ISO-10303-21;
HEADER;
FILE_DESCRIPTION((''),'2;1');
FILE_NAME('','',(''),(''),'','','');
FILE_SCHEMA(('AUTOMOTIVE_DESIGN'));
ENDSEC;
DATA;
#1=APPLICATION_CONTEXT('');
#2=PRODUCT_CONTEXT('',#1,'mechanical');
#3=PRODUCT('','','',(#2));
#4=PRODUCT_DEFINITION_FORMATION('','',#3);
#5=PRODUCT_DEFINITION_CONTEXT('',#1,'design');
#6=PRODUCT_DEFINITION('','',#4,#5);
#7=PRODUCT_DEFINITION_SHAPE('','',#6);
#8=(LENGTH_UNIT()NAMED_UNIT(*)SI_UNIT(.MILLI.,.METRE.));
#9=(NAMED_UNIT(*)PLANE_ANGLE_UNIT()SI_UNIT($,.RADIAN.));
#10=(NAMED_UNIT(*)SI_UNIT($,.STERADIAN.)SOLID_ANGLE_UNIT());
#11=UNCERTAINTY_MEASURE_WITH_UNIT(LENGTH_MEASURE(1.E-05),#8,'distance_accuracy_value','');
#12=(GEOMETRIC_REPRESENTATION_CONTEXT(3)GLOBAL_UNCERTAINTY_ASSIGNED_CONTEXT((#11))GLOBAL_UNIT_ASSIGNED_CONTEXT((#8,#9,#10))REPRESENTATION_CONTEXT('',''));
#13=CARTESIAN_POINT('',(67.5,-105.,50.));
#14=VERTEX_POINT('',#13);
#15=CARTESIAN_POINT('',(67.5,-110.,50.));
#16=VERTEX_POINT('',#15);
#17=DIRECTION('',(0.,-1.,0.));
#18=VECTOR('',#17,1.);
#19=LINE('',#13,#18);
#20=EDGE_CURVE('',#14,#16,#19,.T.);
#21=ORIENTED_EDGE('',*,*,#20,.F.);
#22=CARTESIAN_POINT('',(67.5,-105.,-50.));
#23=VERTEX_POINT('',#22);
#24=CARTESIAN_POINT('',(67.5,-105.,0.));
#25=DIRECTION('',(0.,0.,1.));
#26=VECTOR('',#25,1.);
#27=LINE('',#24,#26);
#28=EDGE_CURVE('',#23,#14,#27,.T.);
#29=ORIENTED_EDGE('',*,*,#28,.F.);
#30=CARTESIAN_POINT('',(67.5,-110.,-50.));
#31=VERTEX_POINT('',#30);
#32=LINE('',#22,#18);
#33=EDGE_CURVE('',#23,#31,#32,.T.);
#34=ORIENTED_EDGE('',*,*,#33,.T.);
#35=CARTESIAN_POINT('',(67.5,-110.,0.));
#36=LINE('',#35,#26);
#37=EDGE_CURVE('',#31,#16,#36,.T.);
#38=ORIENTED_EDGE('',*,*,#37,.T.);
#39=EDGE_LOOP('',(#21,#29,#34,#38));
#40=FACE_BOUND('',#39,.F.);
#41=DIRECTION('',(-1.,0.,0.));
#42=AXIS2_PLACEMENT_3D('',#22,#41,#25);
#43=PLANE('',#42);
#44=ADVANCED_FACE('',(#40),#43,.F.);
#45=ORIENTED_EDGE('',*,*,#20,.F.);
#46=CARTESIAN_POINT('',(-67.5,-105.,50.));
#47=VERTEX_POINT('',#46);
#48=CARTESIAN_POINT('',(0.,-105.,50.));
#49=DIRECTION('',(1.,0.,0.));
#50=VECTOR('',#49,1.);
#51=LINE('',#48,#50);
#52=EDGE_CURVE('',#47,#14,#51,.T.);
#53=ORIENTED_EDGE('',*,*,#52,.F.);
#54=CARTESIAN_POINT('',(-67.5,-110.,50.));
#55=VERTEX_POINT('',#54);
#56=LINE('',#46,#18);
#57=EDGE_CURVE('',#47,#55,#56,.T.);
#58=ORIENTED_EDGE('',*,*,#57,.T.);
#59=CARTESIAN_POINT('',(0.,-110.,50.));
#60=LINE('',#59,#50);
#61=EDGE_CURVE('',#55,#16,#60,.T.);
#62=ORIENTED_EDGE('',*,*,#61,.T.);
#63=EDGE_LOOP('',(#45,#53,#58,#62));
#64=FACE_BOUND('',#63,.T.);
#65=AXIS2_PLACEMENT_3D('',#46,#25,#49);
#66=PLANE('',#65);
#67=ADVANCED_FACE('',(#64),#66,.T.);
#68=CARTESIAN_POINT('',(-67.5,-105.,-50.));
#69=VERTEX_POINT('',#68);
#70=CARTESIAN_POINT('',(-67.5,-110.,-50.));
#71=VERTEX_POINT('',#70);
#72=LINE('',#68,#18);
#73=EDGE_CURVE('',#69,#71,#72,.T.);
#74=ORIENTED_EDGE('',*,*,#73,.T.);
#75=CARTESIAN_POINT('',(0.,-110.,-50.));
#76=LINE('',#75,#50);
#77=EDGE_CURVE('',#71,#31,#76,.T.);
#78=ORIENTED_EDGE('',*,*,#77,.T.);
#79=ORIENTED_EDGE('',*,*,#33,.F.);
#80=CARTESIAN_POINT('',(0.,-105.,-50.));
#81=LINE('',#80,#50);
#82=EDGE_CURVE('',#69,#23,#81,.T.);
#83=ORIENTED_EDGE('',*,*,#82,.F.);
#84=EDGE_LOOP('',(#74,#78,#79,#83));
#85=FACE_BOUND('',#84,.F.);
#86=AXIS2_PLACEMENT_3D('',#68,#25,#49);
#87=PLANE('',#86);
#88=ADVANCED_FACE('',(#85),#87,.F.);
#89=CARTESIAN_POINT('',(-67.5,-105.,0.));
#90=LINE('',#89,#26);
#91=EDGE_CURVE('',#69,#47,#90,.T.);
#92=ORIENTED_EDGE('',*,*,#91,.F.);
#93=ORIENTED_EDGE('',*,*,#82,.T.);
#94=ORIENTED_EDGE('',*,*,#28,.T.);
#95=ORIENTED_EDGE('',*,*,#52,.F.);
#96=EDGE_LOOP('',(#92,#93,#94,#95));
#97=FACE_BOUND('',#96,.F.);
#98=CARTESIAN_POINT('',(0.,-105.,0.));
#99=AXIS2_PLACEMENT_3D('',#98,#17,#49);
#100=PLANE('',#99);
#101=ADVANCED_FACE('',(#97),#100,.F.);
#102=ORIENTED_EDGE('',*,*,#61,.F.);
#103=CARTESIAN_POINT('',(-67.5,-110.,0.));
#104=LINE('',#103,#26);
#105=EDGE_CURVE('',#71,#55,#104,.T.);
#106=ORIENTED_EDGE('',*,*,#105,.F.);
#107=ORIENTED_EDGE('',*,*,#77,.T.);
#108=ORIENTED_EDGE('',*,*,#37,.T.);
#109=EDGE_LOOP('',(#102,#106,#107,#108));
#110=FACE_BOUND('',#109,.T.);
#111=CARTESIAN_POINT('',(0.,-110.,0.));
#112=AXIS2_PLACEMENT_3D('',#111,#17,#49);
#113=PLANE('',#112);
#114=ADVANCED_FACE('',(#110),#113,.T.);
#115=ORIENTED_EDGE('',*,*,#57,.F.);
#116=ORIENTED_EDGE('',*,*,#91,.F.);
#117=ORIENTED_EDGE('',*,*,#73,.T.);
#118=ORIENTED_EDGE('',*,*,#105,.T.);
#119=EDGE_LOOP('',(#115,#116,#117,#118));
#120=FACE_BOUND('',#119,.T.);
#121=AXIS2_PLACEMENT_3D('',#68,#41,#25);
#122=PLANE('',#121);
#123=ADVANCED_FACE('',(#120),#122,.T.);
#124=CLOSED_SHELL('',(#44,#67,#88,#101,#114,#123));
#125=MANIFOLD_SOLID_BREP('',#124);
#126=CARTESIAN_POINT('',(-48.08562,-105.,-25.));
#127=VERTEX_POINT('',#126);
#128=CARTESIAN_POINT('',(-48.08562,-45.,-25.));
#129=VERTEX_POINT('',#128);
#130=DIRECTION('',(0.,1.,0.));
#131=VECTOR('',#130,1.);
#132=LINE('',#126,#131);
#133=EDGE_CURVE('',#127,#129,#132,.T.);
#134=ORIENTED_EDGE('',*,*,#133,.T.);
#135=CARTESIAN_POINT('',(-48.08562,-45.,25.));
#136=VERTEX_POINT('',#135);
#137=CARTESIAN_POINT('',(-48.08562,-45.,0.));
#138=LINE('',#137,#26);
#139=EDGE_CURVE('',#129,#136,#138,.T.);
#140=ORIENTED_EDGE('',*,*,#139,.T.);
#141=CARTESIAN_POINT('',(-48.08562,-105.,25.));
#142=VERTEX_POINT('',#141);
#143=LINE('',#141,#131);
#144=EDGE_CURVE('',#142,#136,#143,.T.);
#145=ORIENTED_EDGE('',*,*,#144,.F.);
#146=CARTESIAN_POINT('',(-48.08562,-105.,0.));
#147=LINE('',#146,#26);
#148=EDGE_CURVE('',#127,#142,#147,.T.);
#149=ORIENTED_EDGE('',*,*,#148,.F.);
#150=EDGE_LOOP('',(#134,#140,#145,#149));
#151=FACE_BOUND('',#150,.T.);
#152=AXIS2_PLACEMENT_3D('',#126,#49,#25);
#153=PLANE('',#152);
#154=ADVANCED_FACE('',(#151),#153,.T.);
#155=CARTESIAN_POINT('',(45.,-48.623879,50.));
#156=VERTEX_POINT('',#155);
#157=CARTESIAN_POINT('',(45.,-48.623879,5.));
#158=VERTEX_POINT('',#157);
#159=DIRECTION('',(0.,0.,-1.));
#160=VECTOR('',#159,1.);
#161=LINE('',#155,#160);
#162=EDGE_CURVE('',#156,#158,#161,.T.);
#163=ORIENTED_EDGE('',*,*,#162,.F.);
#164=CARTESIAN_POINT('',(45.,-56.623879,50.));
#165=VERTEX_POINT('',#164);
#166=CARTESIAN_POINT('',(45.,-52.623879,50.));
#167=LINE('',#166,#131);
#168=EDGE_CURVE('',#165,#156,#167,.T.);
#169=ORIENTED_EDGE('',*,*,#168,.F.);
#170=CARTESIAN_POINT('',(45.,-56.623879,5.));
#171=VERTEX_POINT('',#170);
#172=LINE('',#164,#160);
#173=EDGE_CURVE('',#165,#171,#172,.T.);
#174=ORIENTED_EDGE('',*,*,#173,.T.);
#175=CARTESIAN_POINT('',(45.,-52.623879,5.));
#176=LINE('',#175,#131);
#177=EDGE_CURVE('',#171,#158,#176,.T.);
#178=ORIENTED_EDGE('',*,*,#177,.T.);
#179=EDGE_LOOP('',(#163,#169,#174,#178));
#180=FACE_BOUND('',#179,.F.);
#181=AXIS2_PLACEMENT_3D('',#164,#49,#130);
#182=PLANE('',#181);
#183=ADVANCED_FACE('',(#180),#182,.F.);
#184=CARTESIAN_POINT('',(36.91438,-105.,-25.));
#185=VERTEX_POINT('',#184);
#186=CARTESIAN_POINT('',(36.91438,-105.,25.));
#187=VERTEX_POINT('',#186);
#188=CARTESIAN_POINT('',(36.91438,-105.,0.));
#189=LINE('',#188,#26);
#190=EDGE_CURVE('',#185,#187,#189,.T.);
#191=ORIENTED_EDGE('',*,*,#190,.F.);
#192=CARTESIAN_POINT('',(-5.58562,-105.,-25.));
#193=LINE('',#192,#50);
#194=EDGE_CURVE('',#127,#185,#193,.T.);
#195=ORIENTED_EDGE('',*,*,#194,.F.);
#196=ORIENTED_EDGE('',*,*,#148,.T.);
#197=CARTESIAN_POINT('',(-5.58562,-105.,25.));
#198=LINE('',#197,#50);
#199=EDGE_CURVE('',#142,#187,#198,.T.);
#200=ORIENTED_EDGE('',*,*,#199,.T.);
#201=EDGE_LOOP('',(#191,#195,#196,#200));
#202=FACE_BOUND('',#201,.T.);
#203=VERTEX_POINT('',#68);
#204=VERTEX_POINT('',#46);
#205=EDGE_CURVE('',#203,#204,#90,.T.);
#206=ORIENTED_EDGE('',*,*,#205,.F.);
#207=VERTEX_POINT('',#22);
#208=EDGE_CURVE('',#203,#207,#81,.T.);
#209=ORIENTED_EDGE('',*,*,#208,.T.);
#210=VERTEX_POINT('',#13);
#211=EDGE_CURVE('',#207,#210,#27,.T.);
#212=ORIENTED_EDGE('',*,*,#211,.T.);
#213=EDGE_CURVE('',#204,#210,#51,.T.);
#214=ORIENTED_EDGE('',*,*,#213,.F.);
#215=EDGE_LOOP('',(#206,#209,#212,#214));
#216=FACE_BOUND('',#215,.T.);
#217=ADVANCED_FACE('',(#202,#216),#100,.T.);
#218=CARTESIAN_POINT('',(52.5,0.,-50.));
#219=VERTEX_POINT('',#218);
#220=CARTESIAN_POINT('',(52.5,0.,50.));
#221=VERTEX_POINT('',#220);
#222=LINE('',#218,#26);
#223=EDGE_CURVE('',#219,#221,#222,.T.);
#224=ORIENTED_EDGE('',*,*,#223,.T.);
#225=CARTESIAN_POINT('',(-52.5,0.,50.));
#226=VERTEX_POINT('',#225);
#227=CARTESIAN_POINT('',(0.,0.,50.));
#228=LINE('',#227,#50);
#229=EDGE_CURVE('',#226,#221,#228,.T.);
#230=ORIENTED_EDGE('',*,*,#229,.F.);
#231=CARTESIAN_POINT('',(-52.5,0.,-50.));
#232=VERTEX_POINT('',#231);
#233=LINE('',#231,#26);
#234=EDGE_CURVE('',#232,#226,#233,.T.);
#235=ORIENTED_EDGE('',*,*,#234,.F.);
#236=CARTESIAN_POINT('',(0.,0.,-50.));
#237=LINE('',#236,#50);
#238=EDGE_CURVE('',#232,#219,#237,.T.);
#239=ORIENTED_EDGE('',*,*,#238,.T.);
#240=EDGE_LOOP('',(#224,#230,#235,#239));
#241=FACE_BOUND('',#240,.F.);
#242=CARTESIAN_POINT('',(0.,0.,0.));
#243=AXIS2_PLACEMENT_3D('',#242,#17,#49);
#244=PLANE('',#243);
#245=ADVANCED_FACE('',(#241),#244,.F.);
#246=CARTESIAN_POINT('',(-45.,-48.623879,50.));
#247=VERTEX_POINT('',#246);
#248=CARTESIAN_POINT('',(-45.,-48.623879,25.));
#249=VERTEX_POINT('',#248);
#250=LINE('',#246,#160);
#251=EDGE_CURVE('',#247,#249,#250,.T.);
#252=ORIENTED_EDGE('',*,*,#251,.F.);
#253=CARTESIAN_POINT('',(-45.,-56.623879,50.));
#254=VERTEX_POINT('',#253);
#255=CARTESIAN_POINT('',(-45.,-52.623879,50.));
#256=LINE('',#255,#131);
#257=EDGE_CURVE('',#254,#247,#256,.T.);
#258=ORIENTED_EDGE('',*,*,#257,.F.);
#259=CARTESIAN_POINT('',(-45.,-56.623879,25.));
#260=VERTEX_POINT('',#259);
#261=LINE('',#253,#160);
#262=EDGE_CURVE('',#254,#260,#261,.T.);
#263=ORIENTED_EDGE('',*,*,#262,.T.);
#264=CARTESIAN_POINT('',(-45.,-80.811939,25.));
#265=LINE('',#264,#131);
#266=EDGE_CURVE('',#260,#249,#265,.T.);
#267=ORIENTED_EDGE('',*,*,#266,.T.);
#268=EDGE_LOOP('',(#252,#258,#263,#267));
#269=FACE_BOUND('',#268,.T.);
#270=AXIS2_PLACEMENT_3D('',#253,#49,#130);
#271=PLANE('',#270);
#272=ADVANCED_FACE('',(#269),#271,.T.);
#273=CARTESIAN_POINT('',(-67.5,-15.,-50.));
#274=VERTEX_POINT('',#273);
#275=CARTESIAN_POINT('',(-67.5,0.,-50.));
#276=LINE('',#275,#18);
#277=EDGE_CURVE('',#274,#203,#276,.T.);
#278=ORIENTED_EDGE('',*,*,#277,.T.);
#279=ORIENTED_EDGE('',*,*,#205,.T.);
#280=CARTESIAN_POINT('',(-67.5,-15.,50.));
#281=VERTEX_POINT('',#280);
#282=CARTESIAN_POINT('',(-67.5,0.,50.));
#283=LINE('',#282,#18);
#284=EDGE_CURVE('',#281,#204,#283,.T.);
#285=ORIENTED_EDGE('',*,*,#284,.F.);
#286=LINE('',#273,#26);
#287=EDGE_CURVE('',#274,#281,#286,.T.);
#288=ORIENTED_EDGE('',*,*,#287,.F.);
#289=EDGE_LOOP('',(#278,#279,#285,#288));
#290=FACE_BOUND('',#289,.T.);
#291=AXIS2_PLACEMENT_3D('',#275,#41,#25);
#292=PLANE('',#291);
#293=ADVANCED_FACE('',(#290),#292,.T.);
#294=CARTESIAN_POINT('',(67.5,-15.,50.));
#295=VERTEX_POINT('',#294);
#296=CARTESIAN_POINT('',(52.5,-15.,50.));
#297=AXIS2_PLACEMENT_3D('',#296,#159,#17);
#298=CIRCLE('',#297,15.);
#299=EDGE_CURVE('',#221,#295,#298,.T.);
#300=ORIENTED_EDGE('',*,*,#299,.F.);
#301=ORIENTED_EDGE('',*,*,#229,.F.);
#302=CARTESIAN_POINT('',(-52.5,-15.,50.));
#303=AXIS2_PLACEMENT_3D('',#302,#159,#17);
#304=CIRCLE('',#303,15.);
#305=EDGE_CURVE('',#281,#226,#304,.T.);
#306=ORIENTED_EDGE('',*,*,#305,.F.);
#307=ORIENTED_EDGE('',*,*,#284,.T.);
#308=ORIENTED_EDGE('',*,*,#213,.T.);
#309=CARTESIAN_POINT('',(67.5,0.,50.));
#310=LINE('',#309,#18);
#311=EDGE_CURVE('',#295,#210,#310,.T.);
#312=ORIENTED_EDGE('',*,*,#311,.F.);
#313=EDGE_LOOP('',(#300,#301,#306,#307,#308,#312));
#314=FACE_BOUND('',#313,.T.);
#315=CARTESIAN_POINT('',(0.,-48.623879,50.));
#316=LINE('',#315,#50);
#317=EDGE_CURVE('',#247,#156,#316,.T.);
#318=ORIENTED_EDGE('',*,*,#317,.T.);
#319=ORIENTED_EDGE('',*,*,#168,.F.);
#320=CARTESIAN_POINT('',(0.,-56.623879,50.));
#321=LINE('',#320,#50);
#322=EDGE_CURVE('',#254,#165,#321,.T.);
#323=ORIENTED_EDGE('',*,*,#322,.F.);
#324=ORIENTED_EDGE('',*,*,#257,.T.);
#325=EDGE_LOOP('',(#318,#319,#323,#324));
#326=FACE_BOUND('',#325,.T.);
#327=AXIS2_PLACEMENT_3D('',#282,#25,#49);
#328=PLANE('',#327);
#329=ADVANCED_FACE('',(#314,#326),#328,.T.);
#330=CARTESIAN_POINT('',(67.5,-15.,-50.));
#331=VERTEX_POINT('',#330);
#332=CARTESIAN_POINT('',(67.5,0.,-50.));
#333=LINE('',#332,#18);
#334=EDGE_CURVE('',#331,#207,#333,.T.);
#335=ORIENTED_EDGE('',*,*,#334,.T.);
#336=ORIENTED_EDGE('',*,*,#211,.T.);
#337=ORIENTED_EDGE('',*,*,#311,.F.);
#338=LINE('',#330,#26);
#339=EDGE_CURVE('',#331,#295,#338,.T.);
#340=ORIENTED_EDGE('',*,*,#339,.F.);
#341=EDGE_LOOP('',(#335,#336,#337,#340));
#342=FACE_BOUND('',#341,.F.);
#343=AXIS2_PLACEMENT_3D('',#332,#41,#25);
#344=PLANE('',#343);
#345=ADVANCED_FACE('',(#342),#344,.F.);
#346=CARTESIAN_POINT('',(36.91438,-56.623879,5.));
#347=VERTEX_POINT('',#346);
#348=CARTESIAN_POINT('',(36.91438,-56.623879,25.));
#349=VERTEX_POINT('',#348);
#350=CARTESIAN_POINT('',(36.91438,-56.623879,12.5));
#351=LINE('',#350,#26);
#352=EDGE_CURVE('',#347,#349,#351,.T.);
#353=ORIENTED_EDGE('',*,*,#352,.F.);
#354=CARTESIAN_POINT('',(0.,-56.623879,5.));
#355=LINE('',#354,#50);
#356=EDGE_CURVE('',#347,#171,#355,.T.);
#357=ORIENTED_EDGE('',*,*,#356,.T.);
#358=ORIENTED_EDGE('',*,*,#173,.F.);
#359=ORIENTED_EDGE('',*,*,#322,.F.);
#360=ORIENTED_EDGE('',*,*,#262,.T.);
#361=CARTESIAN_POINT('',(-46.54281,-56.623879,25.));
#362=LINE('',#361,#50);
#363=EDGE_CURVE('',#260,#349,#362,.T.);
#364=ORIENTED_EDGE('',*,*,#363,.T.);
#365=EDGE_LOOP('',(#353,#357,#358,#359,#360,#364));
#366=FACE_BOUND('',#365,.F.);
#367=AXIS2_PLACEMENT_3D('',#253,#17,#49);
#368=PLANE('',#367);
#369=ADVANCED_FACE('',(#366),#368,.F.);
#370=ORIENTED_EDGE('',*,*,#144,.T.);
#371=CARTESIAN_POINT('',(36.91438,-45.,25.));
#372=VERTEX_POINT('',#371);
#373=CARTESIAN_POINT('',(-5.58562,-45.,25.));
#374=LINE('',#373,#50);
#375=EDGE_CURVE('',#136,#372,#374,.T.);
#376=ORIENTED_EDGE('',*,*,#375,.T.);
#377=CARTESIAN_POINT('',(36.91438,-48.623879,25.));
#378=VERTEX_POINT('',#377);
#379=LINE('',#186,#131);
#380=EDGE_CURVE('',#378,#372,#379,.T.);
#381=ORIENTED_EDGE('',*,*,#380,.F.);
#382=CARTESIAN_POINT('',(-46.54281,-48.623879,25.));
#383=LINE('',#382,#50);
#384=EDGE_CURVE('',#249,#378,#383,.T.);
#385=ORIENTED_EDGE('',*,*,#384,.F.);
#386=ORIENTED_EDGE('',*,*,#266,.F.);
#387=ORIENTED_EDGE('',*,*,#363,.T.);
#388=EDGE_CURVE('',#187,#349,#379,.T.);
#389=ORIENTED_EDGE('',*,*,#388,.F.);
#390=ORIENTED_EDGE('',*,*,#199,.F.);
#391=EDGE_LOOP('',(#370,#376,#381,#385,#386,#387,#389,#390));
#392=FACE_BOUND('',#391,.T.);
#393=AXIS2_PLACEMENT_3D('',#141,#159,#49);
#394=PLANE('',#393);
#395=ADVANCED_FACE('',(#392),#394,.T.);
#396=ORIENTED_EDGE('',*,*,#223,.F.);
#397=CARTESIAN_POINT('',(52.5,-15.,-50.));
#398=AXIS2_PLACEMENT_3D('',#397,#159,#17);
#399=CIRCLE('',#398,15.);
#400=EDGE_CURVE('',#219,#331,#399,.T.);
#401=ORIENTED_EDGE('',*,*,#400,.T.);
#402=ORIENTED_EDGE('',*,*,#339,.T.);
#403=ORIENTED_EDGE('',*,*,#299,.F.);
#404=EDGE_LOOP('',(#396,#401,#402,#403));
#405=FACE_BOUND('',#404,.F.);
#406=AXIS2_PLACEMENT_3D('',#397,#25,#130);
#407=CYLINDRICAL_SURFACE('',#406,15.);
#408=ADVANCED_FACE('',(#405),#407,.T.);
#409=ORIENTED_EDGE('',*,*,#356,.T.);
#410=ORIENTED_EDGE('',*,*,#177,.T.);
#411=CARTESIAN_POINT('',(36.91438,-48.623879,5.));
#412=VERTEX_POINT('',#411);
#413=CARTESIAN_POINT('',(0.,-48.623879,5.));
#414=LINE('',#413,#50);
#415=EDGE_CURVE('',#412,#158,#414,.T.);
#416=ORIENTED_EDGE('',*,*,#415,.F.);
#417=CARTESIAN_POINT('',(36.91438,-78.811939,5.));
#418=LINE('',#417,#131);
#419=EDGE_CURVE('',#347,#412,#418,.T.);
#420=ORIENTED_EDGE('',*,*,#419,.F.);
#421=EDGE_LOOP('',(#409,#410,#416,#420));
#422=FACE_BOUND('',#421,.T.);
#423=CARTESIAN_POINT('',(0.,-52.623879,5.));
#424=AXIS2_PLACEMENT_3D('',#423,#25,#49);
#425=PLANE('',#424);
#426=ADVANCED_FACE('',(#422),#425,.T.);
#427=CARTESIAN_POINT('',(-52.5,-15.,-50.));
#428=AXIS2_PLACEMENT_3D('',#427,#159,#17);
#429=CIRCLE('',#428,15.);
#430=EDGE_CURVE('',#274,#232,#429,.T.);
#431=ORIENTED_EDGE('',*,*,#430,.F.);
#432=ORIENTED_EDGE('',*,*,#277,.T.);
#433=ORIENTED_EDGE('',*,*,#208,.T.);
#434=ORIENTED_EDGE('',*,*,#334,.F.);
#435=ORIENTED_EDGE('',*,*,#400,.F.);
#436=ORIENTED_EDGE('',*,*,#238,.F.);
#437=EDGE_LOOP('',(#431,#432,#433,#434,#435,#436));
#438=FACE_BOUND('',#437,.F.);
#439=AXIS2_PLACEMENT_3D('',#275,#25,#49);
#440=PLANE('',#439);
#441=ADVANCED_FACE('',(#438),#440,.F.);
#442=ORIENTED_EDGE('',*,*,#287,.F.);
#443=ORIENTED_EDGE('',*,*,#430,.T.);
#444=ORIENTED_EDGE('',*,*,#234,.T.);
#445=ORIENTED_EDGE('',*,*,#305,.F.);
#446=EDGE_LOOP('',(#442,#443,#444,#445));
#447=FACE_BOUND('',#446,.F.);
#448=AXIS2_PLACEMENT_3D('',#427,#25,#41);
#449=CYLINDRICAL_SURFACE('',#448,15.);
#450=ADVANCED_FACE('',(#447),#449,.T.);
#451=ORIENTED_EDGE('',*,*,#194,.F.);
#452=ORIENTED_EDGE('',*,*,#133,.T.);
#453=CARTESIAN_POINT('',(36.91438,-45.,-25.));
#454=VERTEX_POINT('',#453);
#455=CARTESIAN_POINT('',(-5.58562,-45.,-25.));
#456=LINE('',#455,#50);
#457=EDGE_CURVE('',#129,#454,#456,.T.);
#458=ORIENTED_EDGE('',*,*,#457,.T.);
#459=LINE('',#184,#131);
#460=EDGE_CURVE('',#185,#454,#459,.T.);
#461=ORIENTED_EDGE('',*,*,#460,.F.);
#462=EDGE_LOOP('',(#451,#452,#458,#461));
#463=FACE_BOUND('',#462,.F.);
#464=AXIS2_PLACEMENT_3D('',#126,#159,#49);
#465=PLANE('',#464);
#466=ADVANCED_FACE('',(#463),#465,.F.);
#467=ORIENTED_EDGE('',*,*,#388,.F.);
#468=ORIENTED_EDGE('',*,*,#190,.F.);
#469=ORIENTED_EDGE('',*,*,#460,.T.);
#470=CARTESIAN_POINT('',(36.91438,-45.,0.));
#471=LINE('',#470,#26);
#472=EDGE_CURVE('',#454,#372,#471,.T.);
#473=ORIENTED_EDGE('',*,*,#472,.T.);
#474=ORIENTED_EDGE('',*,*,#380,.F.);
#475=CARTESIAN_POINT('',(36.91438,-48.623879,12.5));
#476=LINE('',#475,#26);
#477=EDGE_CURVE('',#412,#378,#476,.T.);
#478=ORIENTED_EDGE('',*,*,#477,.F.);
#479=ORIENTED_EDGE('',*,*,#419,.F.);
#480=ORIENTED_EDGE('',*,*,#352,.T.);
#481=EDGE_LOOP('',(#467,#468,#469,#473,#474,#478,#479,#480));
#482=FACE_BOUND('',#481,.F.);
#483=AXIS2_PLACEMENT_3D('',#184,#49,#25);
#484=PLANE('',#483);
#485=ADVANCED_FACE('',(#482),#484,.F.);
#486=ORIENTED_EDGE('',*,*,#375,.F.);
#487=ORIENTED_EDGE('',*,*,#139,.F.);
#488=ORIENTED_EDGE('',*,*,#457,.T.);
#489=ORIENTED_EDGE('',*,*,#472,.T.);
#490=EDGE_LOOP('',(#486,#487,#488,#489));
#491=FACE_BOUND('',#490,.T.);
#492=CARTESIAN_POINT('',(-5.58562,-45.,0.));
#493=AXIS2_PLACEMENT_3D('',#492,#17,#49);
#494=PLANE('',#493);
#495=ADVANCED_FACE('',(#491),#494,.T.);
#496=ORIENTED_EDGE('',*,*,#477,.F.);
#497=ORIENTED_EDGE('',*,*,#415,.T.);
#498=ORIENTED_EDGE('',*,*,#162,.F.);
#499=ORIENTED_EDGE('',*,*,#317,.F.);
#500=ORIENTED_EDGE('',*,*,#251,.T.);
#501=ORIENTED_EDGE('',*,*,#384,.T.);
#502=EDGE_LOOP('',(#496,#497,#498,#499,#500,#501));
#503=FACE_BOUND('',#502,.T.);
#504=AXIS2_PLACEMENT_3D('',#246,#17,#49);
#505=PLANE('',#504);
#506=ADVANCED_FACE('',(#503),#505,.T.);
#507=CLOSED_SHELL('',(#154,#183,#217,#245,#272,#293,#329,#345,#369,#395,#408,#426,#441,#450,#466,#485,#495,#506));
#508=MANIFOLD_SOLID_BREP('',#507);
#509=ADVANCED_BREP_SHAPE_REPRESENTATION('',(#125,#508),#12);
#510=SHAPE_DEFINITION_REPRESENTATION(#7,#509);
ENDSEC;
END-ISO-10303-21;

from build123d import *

# Parameters (mm, degrees)
F0_W     = 135
F0_H     = 100
F1_DEPTH = 105
F2_W     = 90
F2_H     = 8
F3_DEPTH = 45
F4_W     = 85
F4_H     = 50
F5_DEPTH = 60
F6_W     = 135
F6_H     = 100
F7_DEPTH = 5
F8_R     = 15
F9_R     = 15


with BuildPart() as f1:
    # F0 (on Front) → F1 (new body)
    with BuildSketch(Plane.XZ):
        Rectangle(F0_W, F0_H)
    extrude(amount=F1_DEPTH)

    # F2 (on face) → F3 (cut)
    with BuildSketch(Plane.XY.offset(50)):
        with Locations((0, -52.623879)):
            Rectangle(F2_W, F2_H)
    extrude(amount=-F3_DEPTH, mode=Mode.SUBTRACT)

    # F4 (on face) → F5 (cut)
    with BuildSketch(Plane.XZ.offset(105)):
        with Locations((-5.58562, 0)):
            Rectangle(F4_W, F4_H)
    extrude(amount=-F5_DEPTH, mode=Mode.SUBTRACT)

    # F8
    f8_edges = [f1.edges().sort_by_distance(p)[0] for p in [
        (-67.5, 0, 0),
    ]]
    fillet(f8_edges, radius=F8_R)

    # F9
    f9_edges = [f1.edges().sort_by_distance(p)[0] for p in [
        (67.5, 0, 0),
    ]]
    fillet(f9_edges, radius=F9_R)


with BuildPart() as f7:
    # F6 (on face) → F7 (new body)
    with BuildSketch(Plane.XZ.offset(105)):
        Rectangle(F6_W, F6_H)
    extrude(amount=F7_DEPTH)


solid = Compound([f1.part, f7.part])
